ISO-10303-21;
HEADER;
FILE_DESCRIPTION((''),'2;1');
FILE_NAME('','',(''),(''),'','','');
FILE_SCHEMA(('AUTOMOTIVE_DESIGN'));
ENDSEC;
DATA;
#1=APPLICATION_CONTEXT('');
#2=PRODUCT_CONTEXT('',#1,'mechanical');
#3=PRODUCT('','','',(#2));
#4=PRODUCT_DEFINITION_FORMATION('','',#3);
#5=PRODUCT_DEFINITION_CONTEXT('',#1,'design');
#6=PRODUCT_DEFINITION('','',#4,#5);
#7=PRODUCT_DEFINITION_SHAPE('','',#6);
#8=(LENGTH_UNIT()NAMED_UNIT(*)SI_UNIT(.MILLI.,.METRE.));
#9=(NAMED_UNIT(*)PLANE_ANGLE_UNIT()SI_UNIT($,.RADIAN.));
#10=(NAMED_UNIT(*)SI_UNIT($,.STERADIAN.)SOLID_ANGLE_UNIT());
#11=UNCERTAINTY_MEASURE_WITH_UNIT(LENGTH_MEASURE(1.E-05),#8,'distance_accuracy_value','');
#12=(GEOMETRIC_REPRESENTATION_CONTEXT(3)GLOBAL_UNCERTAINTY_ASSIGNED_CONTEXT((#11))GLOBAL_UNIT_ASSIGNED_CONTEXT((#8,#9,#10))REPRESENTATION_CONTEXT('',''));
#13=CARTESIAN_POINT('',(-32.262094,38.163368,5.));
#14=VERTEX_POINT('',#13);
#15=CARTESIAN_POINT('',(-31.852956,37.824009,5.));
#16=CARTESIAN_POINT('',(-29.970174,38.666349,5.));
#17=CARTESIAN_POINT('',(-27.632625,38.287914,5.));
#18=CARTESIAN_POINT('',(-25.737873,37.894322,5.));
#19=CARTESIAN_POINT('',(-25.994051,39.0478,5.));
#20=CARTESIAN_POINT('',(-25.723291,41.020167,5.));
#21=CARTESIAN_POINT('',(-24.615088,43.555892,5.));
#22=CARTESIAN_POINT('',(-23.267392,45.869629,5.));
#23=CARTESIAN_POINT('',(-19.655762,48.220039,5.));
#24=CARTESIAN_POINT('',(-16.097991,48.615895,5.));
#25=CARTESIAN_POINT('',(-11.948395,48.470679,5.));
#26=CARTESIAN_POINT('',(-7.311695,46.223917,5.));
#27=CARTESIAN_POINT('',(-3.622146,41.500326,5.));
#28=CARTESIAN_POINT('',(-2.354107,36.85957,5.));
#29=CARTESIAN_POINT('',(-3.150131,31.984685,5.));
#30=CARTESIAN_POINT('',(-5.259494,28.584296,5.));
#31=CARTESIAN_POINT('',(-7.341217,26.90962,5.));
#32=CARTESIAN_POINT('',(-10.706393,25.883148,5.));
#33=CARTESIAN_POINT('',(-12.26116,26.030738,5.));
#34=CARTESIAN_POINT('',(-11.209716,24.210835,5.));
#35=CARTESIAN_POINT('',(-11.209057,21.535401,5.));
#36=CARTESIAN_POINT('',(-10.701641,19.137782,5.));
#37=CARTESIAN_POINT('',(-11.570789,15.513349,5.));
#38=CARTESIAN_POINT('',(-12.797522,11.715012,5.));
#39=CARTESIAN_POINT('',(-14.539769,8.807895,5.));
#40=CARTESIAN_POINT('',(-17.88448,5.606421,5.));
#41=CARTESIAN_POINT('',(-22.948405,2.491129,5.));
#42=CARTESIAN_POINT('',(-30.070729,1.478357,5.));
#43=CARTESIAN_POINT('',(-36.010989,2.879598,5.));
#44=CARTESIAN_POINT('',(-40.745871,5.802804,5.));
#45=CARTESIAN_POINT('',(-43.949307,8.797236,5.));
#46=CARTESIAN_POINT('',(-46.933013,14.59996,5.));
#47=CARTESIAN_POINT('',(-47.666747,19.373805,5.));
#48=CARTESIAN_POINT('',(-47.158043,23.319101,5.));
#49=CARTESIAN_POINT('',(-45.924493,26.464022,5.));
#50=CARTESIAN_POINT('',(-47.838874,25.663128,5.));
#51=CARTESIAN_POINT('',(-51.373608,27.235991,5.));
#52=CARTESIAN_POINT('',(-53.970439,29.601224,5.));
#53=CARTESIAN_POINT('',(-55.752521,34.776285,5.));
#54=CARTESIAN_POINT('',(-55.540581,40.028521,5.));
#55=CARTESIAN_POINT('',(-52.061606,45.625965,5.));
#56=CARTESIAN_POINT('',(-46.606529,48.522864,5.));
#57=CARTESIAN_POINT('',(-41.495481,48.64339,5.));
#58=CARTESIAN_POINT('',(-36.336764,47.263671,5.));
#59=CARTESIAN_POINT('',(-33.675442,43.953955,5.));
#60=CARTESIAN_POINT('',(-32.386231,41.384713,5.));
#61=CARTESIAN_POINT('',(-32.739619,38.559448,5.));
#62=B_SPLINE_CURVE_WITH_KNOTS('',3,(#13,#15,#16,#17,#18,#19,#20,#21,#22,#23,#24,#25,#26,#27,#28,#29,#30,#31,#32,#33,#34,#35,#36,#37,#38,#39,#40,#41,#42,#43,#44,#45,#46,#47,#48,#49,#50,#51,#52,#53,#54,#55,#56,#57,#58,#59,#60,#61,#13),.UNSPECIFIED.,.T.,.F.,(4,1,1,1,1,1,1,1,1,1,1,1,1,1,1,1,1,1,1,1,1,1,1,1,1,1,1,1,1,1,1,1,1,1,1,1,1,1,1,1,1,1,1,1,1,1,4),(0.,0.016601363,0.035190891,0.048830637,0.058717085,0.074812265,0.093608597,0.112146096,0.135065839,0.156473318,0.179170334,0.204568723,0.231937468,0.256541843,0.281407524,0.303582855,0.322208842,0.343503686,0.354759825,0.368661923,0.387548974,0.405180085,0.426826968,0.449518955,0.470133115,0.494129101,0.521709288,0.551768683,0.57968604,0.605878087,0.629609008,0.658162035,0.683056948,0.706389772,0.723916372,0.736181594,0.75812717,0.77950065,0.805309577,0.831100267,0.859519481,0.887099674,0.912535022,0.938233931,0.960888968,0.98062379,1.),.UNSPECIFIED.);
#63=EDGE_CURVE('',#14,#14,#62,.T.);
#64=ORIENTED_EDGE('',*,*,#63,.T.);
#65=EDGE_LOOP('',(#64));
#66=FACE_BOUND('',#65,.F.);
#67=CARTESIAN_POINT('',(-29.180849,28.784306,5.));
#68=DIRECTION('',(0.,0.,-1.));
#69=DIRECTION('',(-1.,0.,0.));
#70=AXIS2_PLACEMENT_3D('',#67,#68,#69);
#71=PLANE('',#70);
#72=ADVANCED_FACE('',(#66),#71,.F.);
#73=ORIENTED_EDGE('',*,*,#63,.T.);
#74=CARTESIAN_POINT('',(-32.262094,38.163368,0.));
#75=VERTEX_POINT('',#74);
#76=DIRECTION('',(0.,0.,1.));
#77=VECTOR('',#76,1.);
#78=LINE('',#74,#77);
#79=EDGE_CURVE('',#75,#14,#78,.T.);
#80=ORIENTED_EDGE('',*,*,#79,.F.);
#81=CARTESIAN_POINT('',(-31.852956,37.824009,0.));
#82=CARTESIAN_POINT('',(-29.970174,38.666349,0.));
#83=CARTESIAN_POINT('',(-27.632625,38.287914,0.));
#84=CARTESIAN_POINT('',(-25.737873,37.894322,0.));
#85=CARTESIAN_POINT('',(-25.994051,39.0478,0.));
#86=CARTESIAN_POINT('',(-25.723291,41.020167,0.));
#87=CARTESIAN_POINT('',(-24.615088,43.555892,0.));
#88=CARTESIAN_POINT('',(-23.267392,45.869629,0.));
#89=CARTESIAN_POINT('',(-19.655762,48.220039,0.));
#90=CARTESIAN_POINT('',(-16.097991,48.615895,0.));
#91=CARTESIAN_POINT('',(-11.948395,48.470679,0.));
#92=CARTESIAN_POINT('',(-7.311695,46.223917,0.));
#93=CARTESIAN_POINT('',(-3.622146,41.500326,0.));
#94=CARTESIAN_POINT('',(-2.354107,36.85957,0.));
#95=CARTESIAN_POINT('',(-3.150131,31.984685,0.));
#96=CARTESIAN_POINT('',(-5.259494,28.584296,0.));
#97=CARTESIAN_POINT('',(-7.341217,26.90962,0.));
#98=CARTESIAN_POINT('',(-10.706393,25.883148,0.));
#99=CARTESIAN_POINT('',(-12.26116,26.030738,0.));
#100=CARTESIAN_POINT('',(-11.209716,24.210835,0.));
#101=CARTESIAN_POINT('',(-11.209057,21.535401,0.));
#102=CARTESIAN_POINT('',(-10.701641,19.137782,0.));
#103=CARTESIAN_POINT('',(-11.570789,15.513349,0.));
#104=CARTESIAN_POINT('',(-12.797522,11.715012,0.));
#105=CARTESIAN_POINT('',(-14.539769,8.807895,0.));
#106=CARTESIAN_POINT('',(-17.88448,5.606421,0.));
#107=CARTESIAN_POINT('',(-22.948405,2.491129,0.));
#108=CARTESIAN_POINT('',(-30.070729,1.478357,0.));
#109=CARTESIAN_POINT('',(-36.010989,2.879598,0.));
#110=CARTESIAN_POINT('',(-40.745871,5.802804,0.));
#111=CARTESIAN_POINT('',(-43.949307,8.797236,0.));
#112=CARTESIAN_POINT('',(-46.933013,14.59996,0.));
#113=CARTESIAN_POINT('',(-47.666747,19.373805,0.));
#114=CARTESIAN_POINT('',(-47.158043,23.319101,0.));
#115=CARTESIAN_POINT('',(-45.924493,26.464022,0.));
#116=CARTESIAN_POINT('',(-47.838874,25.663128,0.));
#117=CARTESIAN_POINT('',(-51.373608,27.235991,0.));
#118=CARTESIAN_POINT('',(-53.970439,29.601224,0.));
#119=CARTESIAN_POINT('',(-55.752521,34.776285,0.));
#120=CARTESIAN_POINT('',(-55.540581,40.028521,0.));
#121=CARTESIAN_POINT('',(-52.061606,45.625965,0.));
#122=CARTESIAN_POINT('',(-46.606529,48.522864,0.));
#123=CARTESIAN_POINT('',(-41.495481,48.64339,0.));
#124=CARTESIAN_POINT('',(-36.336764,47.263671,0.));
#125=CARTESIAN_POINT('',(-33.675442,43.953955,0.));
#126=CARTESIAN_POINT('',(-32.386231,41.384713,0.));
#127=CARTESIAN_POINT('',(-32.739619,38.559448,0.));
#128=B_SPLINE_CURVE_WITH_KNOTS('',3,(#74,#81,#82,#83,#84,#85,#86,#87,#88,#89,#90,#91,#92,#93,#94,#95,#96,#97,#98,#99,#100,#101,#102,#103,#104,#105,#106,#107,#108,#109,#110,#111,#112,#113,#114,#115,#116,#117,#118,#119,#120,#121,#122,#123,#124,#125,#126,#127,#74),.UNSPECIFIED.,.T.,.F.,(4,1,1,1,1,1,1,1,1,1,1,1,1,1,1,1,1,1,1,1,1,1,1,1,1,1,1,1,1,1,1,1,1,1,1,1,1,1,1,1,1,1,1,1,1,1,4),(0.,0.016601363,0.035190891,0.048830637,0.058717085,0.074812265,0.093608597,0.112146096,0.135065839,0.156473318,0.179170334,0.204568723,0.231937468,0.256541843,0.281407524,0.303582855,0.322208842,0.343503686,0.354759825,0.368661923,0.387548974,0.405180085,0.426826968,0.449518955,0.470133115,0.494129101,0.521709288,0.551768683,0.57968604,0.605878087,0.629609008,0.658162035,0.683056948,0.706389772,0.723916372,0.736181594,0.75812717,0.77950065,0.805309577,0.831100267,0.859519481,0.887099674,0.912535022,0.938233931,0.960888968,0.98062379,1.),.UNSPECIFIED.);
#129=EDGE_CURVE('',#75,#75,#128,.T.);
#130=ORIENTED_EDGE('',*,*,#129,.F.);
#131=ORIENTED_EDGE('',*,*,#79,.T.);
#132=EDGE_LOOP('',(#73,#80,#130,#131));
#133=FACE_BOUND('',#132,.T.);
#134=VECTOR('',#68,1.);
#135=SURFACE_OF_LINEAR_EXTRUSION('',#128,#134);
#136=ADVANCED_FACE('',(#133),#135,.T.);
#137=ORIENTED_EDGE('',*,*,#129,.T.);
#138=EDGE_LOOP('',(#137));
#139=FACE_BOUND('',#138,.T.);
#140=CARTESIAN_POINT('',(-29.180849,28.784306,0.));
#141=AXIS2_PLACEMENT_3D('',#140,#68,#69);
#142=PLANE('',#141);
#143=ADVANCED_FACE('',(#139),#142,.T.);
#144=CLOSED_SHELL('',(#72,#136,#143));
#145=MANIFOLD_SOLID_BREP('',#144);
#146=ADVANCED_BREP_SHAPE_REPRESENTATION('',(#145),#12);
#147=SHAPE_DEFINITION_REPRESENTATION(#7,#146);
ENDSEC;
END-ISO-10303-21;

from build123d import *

# Parameters (mm, degrees)
F1_DEPTH = 5


with BuildPart() as f1:
    # F0 (on Top) → F1 (new body)
    with BuildSketch(Plane.XY):
        with BuildLine():
            add(Edge.make_bspline(
                [(-32.2620943189, 38.1633676589), (-31.8529555104, 37.8240094584), (-29.9701742714, 38.6663489589), (-27.6326245624, 38.2879139783), (-25.7378730517, 37.8943222947), (-25.9940512958, 39.0477998776), (-25.7232906066, 41.02016666), (-24.6150877628, 43.5558924945), (-23.2673919434, 45.8696286875), (-19.6557618675, 48.2200386849), (-16.097990747, 48.6158953613), (-11.9483948891, 48.4706787035), (-7.3116952958, 46.2239167649), (-3.6221460667, 41.500325533), (-2.3541067169, 36.8595700252), (-3.1501307802, 31.9846850477), (-5.2594944532, 28.5842955756), (-7.3412172546, 26.909619952), (-10.706393354, 25.8831482781), (-12.2611601156, 26.0307383092), (-11.2097155234, 24.2108345846), (-11.2090574356, 21.5354006861), (-10.7016413746, 19.1377821805), (-11.5707888813, 15.5133491812), (-12.797522199, 11.7150119738), (-14.5397691848, 8.8078952757), (-17.8844804554, 5.6064213147), (-22.9484053738, 2.4911289582), (-30.0707291794, 1.4783569282), (-36.0109889653, 2.879597675), (-40.7458705474, 5.8028044852), (-43.9493070251, 8.7972356391), (-46.9330131526, 14.5999602392), (-47.6667472658, 19.3738050828), (-47.1580426936, 23.3191013097), (-45.9244929139, 26.46402233), (-47.8388741834, 25.6631277478), (-51.3736084821, 27.2359913009), (-53.9704394473, 29.6012243651), (-55.7525213544, 34.7762846703), (-55.5405810044, 40.0285211793), (-52.0616057262, 45.6259649757), (-46.6065290491, 48.5228636602), (-41.4954814512, 48.6433901964), (-36.3367644079, 47.2636705324), (-33.6754422246, 43.953955432), (-32.3862313121, 41.3847132175), (-32.7396189163, 38.5594481204), (-32.2620943189, 38.1633676589)],
                knots=[0, 0, 0, 0, 0.0166013634, 0.0351908912, 0.0488306369, 0.0587170846, 0.0748122646, 0.0936085969, 0.1121460955, 0.1350658388, 0.1564733182, 0.1791703344, 0.2045687227, 0.2319374679, 0.2565418427, 0.2814075239, 0.303582855, 0.3222088421, 0.343503686, 0.3547598248, 0.3686619225, 0.3875489744, 0.4051800851, 0.4268269676, 0.449518955, 0.4701331145, 0.4941291008, 0.5217092876, 0.5517686831, 0.5796860403, 0.6058780874, 0.6296090075, 0.6581620348, 0.6830569483, 0.7063897718, 0.7239163718, 0.736181594, 0.75812717, 0.7795006498, 0.8053095769, 0.8311002672, 0.8595194805, 0.8870996737, 0.9125350225, 0.9382339311, 0.9608889677, 0.9806237903, 1, 1, 1, 1], degree=3))
        make_face()
    extrude(amount=F1_DEPTH)


solid = f1.part
